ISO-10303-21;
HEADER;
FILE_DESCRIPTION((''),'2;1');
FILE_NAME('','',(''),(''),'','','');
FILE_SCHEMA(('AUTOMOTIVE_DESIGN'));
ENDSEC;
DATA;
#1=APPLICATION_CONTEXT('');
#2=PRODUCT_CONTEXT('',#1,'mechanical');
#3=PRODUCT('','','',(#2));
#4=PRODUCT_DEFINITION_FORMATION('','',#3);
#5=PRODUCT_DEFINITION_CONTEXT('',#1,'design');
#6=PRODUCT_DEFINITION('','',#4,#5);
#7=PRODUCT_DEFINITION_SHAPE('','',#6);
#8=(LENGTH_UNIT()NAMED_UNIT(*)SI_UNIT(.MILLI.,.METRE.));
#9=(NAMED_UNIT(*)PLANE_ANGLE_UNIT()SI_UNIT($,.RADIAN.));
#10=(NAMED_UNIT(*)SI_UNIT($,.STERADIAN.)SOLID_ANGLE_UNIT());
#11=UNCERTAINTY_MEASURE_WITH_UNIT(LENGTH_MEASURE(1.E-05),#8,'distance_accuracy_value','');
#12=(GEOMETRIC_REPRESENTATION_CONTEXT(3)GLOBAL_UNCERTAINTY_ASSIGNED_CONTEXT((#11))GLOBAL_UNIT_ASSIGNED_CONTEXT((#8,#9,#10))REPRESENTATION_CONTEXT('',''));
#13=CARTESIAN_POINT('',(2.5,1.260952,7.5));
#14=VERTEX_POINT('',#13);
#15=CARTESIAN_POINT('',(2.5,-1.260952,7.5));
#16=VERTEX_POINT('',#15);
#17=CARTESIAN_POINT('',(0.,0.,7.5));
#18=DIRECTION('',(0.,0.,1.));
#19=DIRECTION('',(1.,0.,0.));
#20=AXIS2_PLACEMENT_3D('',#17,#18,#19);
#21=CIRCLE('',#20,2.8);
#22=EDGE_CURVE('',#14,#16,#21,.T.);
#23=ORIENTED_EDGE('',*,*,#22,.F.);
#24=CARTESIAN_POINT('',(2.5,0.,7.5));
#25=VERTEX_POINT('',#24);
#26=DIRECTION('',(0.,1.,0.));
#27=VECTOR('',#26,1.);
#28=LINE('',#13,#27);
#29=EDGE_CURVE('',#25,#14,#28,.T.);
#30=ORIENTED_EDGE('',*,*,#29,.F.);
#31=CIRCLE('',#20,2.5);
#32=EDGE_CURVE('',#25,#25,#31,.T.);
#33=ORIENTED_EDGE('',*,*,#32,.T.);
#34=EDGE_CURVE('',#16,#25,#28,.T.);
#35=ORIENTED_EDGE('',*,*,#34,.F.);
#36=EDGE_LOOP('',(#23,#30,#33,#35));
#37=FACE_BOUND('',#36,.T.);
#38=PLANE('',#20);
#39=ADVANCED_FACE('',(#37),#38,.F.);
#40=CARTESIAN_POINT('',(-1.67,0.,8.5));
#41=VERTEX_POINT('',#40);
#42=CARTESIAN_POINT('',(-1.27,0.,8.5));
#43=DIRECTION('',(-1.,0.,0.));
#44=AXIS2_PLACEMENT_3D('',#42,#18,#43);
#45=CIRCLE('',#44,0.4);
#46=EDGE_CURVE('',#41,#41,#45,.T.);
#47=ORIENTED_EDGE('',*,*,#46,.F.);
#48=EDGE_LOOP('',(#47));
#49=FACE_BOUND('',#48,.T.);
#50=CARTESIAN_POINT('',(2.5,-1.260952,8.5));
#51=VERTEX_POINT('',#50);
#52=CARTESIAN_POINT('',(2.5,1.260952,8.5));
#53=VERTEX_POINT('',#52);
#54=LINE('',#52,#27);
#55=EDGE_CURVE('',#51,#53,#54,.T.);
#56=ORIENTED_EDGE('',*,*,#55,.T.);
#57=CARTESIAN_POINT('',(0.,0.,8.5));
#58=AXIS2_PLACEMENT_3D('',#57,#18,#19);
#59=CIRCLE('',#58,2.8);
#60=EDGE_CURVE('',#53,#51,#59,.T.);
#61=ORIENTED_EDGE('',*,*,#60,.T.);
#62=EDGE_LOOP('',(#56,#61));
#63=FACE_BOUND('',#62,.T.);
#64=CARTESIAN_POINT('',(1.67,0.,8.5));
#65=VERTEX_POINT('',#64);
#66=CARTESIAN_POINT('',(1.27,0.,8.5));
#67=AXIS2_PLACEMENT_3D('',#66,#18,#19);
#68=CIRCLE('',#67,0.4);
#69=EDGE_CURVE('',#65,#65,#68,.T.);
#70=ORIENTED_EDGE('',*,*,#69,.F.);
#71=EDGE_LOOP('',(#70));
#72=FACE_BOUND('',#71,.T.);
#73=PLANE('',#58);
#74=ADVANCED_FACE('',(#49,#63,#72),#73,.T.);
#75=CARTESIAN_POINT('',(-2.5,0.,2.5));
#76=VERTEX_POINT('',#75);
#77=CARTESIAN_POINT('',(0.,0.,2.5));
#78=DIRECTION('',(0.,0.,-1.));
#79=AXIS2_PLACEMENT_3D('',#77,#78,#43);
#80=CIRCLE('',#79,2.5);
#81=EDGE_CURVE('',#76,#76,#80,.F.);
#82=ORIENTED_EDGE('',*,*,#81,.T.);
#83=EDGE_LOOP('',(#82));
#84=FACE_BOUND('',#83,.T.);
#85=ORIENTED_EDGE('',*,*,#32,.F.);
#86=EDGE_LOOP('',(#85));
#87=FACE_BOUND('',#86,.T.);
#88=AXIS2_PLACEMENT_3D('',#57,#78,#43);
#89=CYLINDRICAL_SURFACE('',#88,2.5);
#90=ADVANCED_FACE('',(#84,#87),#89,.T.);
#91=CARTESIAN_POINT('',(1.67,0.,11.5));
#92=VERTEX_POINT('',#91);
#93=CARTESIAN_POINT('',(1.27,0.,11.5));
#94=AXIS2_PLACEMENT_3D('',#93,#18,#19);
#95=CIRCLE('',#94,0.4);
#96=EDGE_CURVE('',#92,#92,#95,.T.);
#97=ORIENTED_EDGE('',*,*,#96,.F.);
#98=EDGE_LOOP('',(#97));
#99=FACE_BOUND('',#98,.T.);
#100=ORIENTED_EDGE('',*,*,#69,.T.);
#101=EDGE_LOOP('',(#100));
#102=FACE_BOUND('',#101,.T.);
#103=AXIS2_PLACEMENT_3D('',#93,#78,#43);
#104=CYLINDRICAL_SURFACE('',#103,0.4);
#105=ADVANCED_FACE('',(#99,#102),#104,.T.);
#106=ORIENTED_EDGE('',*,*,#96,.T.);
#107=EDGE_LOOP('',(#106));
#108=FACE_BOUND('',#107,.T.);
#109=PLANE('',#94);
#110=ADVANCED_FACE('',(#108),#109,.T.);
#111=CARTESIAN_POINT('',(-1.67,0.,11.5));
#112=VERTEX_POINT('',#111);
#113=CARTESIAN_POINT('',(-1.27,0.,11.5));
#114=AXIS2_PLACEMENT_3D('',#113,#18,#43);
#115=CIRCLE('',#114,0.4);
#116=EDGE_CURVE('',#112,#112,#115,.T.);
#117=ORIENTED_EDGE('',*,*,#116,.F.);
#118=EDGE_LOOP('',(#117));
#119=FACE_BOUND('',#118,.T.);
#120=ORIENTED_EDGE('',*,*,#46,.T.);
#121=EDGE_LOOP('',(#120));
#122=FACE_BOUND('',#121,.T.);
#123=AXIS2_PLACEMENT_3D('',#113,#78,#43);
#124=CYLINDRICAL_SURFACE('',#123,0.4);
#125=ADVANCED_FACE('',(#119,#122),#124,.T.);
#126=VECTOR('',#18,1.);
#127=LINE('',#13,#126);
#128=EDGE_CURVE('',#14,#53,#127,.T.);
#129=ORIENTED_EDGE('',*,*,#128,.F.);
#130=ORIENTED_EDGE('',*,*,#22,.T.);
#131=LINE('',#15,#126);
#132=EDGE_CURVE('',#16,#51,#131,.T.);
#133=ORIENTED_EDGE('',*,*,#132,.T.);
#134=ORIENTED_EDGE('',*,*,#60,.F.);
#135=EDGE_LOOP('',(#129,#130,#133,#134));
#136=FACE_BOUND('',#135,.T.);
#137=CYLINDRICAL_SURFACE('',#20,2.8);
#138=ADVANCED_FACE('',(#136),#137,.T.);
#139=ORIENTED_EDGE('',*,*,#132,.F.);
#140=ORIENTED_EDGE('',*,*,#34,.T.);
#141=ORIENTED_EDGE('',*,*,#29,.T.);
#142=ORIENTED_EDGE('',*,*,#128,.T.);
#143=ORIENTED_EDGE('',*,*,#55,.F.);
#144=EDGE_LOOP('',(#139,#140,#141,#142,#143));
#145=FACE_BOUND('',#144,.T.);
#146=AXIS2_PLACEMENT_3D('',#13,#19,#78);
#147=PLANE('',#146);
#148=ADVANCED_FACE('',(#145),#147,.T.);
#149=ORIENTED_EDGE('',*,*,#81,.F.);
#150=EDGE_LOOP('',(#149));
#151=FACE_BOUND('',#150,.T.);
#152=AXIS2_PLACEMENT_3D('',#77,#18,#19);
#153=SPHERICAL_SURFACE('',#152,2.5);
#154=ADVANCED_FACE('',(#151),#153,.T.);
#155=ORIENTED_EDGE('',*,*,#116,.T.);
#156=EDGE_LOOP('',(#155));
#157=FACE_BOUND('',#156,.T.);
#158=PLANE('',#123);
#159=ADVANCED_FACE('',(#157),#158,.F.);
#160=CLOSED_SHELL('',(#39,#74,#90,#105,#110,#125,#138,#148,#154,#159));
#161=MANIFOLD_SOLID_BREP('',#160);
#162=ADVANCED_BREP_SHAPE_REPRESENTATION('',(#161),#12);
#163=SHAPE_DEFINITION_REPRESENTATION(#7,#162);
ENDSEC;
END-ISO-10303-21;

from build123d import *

# Parameters (mm, degrees)
ESQUISSE1_R          = 2.5
BASE_EXTRUSION_DEPTH = 8.5
BOSS_EXTRU_1_DEPTH   = 1
CONG_1_R             = 2.5
ESQUISSE3_R          = 0.4
EXTRUSION1_DEPTH     = 3


with BuildPart() as part:
    # Esquisse1 → Base-Extrusion (new body)
    with BuildSketch(Plane.XY):
        Circle(ESQUISSE1_R)
    extrude(amount=BASE_EXTRUSION_DEPTH)

    # Esquisse2 → Boss.-Extru.1 (add)
    with BuildSketch(Plane.XY.offset(8.5)):
        with BuildLine():
            Line((2.5, 1.260952021), (2.5, -1.260952021))
            ThreePointArc((2.5, -1.260952021), (-2.8, 0), (2.5, 1.260952021))
        make_face()
    extrude(amount=-BOSS_EXTRU_1_DEPTH)

    # Congé1
    cong_1_edges = [part.edges().sort_by_distance(p)[0] for p in [
        (-2.5, 0, 0),
    ]]
    fillet(cong_1_edges, radius=CONG_1_R)

    # Esquisse3 → Extrusion1 (add)
    with BuildSketch(Plane.XY.offset(8.5)):
        with Locations((1.27, 0)):
            Circle(ESQUISSE3_R)
        with Locations(Location((-1.27, 0, 0), (0, 0, 180))):  # turned: the seam where the file's is
            Circle(ESQUISSE3_R)
    extrude(amount=EXTRUSION1_DEPTH)


solid = part.part
